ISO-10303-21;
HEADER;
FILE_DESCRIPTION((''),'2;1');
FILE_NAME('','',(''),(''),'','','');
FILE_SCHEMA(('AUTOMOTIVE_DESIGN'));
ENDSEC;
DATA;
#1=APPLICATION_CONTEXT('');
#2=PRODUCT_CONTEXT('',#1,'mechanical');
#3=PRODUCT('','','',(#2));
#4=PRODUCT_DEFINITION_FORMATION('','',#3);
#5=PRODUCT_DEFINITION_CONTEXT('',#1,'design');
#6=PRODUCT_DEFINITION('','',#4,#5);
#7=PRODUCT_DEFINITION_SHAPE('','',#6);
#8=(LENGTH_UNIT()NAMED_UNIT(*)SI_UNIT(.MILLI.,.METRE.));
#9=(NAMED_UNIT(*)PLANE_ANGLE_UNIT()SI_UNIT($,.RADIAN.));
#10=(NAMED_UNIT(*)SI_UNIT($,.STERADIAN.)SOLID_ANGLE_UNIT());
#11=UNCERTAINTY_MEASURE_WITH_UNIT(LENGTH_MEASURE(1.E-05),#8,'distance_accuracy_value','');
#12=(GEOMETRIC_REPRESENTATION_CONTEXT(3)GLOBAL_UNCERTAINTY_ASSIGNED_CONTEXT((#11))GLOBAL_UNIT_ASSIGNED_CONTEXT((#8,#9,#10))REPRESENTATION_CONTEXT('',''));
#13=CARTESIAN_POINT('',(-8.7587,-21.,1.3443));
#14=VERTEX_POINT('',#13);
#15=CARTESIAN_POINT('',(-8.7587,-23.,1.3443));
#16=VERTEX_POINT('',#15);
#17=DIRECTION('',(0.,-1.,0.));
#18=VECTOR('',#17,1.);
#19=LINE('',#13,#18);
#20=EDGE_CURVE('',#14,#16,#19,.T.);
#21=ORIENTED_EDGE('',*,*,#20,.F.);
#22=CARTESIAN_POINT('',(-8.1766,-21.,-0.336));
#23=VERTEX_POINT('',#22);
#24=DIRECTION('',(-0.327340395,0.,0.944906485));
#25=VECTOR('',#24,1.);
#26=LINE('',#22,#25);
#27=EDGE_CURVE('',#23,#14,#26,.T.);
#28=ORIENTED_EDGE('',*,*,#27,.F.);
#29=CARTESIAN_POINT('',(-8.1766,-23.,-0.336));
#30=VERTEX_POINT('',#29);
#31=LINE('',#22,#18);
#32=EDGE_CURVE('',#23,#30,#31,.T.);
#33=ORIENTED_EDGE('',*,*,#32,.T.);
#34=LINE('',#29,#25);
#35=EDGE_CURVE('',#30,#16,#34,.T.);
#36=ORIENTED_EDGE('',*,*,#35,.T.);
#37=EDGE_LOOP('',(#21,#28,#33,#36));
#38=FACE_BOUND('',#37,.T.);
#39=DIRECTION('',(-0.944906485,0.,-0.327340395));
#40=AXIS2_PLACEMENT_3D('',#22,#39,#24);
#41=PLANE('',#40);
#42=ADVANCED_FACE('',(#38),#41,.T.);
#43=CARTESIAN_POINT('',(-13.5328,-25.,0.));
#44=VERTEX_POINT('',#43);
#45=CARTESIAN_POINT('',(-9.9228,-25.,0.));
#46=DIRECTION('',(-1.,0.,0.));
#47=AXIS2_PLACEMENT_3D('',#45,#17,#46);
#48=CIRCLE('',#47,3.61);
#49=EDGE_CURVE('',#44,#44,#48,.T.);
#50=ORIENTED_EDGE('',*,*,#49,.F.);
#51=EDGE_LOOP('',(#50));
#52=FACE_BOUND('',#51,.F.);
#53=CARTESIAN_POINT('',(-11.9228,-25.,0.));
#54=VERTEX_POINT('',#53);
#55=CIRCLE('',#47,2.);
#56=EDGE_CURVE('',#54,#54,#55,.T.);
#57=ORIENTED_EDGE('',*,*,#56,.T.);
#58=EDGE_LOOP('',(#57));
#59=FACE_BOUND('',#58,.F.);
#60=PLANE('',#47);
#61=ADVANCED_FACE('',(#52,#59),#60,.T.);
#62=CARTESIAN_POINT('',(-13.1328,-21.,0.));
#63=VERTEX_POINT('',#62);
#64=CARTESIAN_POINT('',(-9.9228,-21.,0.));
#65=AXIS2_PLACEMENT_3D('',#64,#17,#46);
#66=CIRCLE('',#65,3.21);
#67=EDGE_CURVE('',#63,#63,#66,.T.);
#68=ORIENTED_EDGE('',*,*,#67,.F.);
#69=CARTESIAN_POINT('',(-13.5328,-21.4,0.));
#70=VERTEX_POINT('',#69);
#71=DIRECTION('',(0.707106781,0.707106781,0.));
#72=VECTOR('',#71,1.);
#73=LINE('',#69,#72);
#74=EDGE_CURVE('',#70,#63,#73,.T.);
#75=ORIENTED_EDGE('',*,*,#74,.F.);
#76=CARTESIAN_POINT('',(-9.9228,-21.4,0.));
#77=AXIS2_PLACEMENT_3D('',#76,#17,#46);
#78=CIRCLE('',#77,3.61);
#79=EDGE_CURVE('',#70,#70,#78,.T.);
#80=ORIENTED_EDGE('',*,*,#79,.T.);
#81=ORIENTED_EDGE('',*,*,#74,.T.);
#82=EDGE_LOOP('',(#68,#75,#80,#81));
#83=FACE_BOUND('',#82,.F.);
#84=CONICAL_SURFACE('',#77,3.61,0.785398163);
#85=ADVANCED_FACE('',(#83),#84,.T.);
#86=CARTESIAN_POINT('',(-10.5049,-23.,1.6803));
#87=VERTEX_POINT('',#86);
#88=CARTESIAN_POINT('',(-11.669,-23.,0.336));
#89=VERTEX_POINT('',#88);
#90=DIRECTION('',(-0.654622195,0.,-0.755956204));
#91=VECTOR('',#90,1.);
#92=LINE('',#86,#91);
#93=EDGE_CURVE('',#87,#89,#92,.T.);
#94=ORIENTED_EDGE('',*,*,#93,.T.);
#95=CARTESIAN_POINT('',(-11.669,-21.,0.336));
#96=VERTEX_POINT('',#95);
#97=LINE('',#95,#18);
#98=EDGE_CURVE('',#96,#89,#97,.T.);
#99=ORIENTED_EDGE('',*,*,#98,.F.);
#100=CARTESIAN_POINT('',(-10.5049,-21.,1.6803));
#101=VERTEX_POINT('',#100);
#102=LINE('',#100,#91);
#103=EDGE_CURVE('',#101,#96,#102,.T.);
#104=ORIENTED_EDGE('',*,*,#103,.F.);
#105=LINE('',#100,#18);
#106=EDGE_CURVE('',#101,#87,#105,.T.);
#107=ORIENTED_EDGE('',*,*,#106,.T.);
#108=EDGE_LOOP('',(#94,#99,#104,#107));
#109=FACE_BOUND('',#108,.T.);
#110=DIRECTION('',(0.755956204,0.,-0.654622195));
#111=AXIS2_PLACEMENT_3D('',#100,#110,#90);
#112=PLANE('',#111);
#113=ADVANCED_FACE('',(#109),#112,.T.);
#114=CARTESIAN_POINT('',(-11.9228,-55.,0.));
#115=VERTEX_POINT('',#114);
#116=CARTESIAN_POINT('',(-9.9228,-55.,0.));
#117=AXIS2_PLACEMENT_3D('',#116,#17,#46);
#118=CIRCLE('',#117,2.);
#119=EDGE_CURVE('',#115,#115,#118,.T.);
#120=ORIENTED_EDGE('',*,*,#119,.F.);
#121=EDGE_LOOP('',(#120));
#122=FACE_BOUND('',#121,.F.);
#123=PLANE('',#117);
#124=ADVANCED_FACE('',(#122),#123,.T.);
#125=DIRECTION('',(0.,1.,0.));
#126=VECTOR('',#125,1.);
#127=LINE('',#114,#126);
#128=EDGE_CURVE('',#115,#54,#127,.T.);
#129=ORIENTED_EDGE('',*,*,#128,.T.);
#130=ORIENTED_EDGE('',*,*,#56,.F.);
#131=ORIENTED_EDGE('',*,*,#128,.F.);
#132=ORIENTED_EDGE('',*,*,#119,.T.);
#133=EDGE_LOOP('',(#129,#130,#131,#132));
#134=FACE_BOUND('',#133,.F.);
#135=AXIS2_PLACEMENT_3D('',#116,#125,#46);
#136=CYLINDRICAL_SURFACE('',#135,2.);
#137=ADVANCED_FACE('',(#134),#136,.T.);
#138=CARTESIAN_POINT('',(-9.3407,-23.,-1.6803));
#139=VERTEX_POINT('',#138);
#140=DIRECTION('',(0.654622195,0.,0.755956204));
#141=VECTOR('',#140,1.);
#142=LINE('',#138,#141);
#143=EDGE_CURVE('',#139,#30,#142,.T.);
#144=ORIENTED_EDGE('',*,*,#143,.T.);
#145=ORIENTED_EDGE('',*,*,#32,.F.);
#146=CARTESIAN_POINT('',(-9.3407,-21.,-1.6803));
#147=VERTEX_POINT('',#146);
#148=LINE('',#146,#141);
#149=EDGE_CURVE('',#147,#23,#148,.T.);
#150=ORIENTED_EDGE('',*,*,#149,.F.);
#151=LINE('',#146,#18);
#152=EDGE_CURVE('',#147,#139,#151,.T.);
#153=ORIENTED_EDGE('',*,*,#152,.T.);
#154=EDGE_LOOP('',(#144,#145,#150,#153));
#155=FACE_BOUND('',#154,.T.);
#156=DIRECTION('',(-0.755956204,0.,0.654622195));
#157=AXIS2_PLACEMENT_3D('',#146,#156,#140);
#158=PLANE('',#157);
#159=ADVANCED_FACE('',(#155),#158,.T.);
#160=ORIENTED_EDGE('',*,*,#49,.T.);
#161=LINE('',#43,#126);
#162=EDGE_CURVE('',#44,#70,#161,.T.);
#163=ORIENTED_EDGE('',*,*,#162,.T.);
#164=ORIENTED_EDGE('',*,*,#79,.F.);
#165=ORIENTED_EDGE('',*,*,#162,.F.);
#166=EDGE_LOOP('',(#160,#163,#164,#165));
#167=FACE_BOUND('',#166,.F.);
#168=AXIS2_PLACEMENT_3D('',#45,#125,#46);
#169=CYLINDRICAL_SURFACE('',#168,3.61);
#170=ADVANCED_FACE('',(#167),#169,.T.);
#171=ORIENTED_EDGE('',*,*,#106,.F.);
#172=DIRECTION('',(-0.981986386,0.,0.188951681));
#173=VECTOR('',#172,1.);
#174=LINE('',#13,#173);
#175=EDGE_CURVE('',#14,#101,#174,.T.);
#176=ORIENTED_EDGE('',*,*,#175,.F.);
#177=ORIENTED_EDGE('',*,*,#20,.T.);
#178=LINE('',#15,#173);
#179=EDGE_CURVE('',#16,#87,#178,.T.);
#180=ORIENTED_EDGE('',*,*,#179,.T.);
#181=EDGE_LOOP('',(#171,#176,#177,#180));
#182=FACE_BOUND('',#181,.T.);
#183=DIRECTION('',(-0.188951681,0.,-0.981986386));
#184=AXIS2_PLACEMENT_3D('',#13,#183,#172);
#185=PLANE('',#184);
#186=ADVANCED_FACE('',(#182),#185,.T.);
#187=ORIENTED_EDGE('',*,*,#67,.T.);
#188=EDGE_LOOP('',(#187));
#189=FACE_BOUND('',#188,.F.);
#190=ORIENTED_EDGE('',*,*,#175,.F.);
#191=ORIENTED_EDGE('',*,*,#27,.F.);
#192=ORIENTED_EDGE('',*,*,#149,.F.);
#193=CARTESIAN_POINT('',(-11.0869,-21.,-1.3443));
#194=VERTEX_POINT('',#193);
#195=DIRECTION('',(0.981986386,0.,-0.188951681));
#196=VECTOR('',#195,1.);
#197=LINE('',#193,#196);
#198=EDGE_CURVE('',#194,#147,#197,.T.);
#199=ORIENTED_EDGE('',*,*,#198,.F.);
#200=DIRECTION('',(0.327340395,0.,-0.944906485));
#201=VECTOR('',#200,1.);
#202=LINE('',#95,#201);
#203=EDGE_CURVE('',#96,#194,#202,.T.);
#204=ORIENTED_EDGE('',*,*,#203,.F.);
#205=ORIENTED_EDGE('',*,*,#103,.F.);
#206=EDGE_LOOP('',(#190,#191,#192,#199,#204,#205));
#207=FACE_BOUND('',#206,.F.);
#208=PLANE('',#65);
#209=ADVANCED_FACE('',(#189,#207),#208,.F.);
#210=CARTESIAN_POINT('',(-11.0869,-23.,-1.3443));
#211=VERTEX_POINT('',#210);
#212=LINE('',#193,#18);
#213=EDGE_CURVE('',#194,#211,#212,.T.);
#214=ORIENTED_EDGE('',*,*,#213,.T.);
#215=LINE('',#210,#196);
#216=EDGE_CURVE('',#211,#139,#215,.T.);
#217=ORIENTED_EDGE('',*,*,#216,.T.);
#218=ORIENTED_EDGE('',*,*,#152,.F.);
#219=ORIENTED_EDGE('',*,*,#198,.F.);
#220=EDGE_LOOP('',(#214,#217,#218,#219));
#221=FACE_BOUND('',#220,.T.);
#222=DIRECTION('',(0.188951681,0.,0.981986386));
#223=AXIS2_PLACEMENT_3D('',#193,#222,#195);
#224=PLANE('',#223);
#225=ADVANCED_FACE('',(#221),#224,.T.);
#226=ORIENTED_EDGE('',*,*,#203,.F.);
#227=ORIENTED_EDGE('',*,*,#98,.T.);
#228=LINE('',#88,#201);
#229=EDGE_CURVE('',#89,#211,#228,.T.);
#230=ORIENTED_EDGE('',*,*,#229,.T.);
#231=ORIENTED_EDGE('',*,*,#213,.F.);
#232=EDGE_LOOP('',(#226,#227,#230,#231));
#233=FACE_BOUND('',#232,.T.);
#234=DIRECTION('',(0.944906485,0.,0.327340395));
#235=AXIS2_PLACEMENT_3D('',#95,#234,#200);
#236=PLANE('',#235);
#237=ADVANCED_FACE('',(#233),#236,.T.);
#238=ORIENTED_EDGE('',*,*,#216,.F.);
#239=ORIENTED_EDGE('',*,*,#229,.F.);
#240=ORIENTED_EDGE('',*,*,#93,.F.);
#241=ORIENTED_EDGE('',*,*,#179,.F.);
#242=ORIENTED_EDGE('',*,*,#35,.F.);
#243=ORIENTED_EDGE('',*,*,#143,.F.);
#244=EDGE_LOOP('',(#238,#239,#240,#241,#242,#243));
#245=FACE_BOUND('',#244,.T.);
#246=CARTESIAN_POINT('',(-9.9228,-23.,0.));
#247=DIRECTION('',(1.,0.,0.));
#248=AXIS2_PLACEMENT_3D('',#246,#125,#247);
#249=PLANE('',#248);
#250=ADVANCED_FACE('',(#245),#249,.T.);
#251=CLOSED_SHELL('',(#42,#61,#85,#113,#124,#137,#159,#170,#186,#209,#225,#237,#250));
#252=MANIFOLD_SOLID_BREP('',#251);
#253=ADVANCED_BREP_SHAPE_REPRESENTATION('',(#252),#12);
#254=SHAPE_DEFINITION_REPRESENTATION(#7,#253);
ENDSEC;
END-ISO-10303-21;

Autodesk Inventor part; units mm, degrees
ref_plane "YZ Plane" through (0, 0, 0) normal (1, 0, 0) x (0, 1, 0)
ref_plane "XZ Plane" through (0, 0, 0) normal (0, 1, 0) x (-1, 0, 0)
ref_plane "XY Plane" through (0, 0, 0) normal (0, 0, 1) x (1, 0, 0)
sketch "Sketch1" plane through (0, 0, 0) normal (0, 0, 1) x (1, 0, 0)
  line L0 (-9.9228, -25) -> (-13.5328, -25)
  line L1 (-13.5328, -25) -> (-13.5328, -21)
  line L2 (-13.5328, -21) -> (-9.9228, -21)
  line L3 (-9.9228, -21) -> (-9.9228, -25)
  line L4 (-9.9228, -25) -> (-9.9228, -55)
  line L5 (-9.9228, -55) -> (-11.9228, -55)
  line L6 (-11.9228, -55) -> (-11.9228, -25)
  point P0 (0, 0)
  dimension "d0" = 3.61
  dimension "d1" = 4
  dimension "d3" = 2
  dimension "d16" = 30
revolve "Revolution1" add sketch "Sketch1" angle 360 about axis through (-9.9228, -25, 0) along (0, -1, 0)
chamfer "Chamfer1" distance 0.4 angle 45 1 edges at (-6.3128, -21, 0)
sketch "Boceto2" plane through (-9.9228, -21, 0) normal (0, 1, 0) x (1, 0, 0)
  line L0 (1.1641, -1.3443) -> (-0.5821, -1.6803)
  line L1 (-0.5821, -1.6803) -> (-1.7462, -0.336)
  line L2 (-1.7462, -0.336) -> (-1.1641, 1.3443)
  line L3 (-1.1641, 1.3443) -> (0.5821, 1.6803)
  line L4 (0.5821, 1.6803) -> (1.7462, 0.336)
  line L5 (1.7462, 0.336) -> (1.1641, -1.3443)
  point P0 (9.9228, 0)
  point P1 (0, 0)
  dimension "d11" = 3.08
extrude "Extrusión1" cut sketch "Boceto2" against normal blind 2
thread "Rosca1" size "M4x0.7" class "6g" standard "ISO Metric profile" length 430
properties part number "Tornillo Allen cabeza cilindrica M4x30mm"
